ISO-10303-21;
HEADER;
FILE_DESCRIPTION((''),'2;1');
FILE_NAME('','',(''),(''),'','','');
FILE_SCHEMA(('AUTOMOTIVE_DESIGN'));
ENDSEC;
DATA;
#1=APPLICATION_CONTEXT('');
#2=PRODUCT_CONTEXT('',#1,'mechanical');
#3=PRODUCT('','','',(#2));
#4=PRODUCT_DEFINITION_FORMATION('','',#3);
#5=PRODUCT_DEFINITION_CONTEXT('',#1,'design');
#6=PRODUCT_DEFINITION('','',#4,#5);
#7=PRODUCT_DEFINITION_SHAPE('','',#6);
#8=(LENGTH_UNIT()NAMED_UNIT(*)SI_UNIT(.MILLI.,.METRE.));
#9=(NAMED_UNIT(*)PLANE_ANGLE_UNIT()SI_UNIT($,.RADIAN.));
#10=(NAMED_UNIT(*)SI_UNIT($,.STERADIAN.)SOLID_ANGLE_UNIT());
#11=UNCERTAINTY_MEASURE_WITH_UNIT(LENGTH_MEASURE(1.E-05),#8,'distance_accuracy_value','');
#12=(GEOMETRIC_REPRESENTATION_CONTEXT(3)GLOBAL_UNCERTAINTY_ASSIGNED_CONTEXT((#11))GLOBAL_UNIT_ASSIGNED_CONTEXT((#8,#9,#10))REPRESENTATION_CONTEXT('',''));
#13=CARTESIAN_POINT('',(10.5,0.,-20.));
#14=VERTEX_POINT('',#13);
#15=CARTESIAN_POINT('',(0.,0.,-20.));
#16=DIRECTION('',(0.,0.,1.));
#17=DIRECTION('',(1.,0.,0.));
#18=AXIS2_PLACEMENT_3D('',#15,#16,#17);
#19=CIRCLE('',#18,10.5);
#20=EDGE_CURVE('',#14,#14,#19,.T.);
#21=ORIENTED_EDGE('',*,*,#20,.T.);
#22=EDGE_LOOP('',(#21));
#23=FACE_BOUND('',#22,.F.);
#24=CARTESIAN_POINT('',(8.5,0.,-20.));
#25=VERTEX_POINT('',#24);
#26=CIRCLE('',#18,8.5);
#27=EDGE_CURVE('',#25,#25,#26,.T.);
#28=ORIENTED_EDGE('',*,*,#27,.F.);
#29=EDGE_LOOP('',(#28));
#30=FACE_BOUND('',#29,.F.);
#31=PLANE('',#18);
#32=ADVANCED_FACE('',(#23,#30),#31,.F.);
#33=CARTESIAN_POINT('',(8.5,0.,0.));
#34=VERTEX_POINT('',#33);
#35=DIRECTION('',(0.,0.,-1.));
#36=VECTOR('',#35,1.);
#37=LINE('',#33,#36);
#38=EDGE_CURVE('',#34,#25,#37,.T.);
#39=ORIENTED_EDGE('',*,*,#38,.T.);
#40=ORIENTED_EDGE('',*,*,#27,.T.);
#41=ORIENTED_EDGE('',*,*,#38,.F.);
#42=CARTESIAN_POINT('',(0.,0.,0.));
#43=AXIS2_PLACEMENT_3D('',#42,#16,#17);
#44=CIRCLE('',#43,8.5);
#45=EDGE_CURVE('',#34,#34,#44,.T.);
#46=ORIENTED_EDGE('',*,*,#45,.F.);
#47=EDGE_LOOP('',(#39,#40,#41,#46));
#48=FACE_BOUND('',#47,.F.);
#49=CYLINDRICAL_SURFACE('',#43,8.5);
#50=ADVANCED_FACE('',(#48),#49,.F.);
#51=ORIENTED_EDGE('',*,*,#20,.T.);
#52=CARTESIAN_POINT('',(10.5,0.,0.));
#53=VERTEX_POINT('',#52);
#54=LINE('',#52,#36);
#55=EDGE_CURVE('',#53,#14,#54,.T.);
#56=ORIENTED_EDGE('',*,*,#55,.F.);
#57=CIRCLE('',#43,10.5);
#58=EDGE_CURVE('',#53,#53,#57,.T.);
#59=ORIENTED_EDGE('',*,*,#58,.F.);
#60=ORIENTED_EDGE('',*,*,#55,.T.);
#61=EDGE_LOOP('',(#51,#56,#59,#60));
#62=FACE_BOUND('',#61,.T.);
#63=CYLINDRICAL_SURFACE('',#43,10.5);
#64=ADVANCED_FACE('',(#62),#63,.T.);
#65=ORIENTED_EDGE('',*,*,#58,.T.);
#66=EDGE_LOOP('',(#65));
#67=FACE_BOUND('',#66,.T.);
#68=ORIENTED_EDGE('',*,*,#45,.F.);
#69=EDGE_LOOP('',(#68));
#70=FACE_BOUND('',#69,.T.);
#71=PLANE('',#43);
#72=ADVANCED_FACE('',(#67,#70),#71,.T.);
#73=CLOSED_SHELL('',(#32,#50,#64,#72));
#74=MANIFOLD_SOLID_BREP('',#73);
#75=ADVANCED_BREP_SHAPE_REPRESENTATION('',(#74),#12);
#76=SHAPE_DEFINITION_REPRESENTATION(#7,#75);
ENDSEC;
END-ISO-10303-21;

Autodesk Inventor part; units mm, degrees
ref_plane "YZ Plane" through (0, 0, 0) normal (1, 0, 0) x (0, 1, 0)
ref_plane "XZ Plane" through (0, 0, 0) normal (0, 1, 0) x (-1, 0, 0)
ref_plane "XY Plane" through (0, 0, 0) normal (0, 0, 1) x (1, 0, 0)
sketch "Sketch11" plane through (0, 0, 0) normal (0, 0, 1) x (1, 0, 0)
  circle A0 centre (0, 0) radius 10.5
  circle A1 centre (0, 0) radius 8.5
  dimension "d187" = 21
  dimension "d188" = 2
extrude "Extrusion5" add sketch "Sketch11" against normal blind 20
properties part number "PNS 1757 FDS 1200 way tube 7_1600" material "Stainless Steel"
